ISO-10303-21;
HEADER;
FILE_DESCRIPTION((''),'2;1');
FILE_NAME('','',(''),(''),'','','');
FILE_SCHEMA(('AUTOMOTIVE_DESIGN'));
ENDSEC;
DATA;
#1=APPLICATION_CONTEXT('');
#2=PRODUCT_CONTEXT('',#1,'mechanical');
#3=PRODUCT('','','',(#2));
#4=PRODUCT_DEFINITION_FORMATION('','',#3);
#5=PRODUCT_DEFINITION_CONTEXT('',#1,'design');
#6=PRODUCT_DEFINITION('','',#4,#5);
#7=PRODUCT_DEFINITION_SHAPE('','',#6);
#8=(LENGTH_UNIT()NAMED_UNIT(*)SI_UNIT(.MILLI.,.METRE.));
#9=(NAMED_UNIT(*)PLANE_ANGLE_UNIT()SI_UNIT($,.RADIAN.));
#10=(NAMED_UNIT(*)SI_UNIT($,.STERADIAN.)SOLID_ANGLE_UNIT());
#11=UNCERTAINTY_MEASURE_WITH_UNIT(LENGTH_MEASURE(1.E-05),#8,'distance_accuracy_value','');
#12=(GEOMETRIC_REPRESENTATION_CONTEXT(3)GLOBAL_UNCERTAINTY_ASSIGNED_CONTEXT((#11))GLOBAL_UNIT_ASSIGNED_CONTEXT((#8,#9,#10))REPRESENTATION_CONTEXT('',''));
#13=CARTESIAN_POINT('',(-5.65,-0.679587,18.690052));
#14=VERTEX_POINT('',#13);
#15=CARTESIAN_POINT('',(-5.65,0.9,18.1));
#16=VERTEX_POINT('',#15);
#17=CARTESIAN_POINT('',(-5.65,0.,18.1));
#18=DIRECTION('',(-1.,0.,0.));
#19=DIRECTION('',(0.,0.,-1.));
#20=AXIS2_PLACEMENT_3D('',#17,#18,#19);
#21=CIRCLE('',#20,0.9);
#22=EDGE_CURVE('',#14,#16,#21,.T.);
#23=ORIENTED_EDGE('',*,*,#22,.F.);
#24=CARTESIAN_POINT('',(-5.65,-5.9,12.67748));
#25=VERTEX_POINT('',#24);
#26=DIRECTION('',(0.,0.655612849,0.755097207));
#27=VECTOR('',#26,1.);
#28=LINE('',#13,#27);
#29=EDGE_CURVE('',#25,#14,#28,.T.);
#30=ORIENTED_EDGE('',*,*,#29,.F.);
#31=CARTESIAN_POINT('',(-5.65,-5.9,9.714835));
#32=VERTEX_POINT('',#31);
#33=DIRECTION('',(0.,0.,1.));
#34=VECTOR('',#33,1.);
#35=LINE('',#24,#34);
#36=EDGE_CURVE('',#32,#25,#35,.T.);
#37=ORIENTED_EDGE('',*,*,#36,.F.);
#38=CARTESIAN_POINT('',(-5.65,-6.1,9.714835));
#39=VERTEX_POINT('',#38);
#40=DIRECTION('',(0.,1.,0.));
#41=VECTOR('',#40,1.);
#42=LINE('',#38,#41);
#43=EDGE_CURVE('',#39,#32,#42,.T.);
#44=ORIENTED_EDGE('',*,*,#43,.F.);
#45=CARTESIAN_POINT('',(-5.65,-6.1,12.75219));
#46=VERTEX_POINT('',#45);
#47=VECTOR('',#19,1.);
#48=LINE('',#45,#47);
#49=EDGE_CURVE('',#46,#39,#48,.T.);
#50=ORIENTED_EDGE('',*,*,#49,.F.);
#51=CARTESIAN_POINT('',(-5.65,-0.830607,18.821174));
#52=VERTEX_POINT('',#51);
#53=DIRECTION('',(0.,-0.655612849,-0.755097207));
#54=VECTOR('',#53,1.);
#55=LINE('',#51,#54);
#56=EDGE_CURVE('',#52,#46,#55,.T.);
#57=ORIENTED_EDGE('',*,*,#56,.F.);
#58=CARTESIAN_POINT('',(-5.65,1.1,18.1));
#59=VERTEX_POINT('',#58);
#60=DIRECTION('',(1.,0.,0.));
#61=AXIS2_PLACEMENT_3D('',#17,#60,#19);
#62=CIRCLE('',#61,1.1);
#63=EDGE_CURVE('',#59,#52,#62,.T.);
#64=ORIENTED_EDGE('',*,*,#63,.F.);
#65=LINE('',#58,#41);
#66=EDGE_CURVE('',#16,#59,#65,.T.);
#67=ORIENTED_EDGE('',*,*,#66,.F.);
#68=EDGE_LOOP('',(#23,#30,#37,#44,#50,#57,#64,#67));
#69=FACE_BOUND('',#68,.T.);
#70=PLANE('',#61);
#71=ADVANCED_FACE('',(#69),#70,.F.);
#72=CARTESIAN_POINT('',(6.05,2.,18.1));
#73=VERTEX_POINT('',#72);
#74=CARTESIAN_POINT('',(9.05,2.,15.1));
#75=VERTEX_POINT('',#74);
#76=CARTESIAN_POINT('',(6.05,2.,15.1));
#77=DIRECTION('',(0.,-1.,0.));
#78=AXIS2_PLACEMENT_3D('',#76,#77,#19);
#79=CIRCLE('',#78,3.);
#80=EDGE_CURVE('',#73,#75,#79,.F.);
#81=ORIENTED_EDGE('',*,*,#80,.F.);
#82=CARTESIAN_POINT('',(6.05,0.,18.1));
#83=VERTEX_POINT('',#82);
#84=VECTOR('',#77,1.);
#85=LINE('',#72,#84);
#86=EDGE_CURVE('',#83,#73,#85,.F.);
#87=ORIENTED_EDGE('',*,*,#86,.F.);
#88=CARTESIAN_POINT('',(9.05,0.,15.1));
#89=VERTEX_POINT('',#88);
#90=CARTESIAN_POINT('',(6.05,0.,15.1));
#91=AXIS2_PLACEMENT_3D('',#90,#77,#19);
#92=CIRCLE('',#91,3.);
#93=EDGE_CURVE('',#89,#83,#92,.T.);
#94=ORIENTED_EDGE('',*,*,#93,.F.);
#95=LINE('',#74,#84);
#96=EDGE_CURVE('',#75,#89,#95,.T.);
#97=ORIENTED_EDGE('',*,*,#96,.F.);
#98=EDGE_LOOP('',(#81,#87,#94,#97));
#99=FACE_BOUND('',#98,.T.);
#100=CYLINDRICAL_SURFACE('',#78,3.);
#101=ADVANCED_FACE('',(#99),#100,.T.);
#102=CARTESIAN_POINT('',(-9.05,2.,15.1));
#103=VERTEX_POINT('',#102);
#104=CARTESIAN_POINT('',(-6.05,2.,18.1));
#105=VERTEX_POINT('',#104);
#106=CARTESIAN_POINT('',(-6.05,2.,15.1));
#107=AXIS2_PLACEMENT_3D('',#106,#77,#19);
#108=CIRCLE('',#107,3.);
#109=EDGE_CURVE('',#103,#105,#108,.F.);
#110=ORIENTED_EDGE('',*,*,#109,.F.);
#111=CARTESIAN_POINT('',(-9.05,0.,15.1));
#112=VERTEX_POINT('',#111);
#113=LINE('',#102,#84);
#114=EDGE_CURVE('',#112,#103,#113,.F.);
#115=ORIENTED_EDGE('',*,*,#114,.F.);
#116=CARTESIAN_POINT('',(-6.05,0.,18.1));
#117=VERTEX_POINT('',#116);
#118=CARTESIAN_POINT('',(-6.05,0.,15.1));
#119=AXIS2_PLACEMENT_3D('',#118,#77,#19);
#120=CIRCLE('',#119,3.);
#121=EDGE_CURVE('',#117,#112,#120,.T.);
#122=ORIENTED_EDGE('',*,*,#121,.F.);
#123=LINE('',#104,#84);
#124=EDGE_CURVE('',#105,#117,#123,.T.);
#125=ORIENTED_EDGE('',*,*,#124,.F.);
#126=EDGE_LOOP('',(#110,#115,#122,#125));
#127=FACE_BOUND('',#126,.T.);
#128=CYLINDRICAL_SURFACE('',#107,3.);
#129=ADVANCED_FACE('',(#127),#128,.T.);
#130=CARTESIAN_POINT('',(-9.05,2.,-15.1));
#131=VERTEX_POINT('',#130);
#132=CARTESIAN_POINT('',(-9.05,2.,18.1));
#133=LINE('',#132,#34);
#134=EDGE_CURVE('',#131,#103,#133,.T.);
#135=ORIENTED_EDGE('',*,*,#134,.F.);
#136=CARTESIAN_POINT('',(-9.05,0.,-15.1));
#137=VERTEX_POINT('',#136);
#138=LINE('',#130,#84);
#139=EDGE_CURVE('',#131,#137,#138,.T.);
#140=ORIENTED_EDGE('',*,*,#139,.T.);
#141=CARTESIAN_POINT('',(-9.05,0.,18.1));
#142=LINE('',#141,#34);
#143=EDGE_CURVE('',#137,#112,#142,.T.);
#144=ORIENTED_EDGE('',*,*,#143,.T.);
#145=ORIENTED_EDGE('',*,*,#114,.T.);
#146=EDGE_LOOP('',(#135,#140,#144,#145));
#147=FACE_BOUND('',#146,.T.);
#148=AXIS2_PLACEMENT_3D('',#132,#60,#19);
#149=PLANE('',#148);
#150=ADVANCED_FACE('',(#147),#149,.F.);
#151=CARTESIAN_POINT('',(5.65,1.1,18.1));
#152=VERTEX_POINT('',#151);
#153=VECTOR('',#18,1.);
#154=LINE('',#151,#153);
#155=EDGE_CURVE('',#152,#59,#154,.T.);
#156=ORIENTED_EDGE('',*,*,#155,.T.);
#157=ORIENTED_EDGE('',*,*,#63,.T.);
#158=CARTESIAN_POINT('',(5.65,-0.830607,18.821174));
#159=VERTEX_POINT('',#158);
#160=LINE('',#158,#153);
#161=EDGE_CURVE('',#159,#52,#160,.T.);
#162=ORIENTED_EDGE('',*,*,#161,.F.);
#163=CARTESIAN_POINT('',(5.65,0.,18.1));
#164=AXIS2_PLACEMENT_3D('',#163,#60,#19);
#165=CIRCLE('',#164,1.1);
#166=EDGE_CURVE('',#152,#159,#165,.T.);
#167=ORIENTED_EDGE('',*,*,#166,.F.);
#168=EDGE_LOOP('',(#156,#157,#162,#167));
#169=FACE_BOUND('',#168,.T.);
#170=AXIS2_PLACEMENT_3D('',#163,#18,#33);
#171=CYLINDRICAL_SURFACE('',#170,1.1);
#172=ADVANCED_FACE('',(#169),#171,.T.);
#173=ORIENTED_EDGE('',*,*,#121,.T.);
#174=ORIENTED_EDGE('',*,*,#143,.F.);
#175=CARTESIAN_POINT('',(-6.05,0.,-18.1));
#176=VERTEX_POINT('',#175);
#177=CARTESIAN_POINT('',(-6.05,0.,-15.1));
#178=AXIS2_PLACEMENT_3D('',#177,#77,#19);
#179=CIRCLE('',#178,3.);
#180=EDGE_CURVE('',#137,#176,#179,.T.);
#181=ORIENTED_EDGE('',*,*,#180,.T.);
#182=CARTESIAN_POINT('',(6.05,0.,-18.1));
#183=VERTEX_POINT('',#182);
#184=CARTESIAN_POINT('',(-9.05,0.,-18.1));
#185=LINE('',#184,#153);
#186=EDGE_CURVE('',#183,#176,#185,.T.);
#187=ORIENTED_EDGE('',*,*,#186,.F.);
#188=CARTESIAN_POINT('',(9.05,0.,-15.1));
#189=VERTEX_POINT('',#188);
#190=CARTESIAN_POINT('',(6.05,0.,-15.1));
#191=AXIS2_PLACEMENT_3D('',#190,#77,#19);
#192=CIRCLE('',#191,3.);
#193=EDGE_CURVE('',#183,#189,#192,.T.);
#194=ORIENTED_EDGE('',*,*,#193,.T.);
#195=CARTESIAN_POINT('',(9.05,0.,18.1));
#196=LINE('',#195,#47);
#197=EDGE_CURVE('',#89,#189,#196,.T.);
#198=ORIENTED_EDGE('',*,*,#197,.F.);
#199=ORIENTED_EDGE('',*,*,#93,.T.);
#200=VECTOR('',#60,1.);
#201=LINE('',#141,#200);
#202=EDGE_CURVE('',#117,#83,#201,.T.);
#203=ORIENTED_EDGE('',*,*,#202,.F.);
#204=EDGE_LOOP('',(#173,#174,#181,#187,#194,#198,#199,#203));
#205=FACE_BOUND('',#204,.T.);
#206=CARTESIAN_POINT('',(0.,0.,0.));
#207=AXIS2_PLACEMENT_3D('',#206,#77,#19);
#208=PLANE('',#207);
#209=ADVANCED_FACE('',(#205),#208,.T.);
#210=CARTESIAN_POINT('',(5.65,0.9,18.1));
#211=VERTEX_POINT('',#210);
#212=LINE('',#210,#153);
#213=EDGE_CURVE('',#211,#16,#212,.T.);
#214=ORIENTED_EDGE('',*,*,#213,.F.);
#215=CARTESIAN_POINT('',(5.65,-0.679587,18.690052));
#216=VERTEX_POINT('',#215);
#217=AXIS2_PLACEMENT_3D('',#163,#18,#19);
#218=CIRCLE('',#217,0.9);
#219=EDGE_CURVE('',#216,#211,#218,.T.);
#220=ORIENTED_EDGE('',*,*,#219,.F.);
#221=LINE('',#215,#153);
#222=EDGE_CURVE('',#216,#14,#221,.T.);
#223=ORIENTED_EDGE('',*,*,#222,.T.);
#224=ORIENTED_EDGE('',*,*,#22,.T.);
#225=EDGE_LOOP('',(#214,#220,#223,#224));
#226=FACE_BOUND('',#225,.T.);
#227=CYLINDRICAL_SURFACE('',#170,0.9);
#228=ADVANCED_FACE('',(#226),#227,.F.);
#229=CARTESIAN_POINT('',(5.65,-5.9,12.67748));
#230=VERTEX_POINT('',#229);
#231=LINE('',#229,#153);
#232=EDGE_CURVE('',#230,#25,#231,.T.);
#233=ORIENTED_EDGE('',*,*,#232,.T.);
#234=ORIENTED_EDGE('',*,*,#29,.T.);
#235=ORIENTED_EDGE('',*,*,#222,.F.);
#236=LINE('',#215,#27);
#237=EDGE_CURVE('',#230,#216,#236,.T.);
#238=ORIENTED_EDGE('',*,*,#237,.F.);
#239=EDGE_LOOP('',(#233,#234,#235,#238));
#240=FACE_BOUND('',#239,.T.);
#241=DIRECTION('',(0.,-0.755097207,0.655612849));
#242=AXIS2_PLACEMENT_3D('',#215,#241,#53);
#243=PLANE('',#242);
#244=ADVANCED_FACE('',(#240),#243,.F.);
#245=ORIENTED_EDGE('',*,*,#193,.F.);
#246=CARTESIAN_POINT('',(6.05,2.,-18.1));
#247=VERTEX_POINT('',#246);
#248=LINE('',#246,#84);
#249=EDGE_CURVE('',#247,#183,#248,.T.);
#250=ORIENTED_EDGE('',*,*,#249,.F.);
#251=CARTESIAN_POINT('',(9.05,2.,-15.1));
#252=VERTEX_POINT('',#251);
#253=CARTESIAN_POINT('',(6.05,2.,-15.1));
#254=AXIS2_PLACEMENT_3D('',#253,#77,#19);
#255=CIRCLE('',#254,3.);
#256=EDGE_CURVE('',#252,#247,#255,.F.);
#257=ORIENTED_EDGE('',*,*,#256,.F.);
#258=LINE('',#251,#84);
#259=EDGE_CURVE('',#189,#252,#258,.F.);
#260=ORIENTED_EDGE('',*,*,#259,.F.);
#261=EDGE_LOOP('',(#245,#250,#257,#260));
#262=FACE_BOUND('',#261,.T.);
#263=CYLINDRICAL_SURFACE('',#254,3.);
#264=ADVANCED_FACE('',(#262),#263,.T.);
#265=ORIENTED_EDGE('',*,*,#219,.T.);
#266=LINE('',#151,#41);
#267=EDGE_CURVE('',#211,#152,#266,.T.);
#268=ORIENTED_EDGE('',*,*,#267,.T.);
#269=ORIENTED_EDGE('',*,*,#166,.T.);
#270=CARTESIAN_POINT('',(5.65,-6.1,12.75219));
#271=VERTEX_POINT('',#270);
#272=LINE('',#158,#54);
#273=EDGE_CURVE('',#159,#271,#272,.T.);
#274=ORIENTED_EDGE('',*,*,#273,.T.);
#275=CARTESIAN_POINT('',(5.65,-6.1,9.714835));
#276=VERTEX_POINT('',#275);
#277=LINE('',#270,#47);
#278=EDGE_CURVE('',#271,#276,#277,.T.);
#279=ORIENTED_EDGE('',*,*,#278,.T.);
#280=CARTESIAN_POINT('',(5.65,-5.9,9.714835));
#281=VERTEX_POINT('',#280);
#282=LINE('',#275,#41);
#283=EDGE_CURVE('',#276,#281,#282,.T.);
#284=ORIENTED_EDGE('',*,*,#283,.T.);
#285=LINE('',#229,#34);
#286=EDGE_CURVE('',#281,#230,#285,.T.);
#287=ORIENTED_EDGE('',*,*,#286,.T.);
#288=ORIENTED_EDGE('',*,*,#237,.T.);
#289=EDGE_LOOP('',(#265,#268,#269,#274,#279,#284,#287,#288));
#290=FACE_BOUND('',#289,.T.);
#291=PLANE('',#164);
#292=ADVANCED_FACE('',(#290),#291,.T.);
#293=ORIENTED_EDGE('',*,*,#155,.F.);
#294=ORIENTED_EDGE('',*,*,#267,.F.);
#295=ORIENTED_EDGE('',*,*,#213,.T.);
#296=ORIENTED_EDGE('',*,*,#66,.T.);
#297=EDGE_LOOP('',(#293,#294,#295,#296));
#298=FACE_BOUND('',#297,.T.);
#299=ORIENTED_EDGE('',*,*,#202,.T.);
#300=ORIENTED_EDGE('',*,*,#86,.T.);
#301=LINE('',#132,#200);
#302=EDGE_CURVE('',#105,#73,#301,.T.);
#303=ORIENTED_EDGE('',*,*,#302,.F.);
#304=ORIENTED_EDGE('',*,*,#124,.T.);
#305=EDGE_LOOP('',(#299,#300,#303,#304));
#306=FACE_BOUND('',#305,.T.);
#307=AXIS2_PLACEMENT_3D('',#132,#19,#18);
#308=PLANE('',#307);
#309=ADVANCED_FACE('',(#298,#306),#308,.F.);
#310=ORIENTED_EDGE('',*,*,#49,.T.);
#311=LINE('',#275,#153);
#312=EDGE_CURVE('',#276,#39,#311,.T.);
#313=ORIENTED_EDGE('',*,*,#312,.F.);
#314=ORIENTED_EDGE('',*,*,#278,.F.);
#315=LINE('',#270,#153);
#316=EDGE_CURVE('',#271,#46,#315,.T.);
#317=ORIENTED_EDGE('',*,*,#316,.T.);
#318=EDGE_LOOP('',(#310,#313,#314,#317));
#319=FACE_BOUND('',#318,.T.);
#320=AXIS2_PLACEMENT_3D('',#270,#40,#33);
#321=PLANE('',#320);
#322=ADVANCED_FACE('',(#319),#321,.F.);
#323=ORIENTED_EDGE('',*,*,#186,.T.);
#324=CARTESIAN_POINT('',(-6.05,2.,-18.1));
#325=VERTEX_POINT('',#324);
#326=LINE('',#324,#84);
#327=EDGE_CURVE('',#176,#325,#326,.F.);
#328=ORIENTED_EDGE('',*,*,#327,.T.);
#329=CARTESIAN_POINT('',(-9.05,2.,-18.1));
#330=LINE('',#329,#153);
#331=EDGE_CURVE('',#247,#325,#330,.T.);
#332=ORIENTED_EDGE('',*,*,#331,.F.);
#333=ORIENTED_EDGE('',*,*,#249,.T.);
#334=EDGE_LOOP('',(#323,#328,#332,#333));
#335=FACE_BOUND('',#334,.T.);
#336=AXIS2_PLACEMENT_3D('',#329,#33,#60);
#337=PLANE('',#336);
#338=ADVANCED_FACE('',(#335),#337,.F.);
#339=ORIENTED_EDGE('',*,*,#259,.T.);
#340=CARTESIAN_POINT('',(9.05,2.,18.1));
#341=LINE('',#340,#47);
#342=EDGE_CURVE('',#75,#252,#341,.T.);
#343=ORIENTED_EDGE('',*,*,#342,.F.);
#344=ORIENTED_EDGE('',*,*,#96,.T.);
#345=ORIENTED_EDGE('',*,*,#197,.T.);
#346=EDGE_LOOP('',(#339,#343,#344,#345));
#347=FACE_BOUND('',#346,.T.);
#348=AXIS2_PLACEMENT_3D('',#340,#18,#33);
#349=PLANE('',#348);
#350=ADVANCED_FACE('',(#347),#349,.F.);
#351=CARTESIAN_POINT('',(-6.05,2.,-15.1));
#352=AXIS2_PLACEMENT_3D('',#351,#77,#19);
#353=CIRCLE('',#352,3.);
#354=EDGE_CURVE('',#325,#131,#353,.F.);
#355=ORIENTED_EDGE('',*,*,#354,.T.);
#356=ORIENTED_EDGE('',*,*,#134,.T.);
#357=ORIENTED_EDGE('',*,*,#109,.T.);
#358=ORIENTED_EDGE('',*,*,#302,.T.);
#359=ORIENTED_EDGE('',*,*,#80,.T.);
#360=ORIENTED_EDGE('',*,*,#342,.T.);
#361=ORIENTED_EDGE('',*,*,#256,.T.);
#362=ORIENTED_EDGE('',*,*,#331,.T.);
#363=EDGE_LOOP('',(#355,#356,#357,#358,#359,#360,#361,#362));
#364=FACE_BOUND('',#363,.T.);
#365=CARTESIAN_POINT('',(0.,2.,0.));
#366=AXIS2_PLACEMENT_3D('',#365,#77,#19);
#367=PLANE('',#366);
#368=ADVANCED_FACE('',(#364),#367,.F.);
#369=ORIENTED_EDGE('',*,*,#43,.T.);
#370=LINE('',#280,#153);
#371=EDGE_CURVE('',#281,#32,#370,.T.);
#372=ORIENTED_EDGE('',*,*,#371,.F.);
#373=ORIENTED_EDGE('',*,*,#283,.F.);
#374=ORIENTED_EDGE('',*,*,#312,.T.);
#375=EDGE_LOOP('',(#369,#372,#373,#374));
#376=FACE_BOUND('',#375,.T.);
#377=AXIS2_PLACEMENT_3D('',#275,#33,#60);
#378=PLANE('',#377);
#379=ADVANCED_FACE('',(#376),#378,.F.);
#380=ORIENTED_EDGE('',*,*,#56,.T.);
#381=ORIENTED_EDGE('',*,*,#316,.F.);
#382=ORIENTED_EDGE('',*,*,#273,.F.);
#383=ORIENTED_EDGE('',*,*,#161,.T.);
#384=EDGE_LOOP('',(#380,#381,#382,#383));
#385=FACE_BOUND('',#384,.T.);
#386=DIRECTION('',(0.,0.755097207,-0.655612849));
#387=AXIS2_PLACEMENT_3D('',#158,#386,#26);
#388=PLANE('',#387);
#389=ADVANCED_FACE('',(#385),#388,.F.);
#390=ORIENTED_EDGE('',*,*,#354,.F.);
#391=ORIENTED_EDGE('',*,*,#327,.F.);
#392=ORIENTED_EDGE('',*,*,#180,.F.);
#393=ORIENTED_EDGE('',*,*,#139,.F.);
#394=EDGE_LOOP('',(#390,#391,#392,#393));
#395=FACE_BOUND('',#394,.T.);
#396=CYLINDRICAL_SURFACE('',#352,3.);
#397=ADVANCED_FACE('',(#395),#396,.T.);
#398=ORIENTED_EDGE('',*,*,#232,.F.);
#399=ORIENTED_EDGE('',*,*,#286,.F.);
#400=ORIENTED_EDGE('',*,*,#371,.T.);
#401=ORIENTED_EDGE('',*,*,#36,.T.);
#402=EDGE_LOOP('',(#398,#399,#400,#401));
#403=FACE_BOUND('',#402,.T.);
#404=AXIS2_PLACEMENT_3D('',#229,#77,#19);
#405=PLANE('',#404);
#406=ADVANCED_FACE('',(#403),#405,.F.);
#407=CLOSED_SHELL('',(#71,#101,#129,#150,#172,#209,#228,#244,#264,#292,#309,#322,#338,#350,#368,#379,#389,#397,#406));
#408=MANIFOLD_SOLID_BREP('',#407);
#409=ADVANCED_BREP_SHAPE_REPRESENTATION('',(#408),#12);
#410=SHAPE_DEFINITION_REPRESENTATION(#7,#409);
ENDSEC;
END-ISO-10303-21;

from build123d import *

# Parameters (mm, degrees)
SKETCH_1_W      = 18.1
SKETCH_1_H      = 36.2
EXTRUDE_1_DEPTH = 2
FILLET_1_R      = 3
EXTRUDE_2_DEPTH = 5.65


with BuildPart() as part:
    # 草图1 → 凸台-拉伸1 (new body)
    with BuildSketch(Plane(origin=(0, 0, 0), x_dir=(1, 0, 0), z_dir=(0, 1, 0))):
        Rectangle(SKETCH_1_W, SKETCH_1_H)
    extrude(amount=EXTRUDE_1_DEPTH)

    # 圆角1
    fillet_1_edges = [part.edges().sort_by_distance(p)[0] for p in [
        (9.05, 1, 18.1),
        (-9.05, 1, 18.1),
        (-9.05, 1, -18.1),
        (9.05, 1, -18.1),
    ]]
    fillet(fillet_1_edges, radius=FILLET_1_R)

    # 草图2 → 凸台-拉伸2 (add, symmetric)
    with BuildSketch(Plane(origin=(0, 0, 0), x_dir=(0, 0, -1), z_dir=(1, 0, 0))):
        with BuildLine():
            Line((-18.821174134, -0.830606928), (-12.752189981, -6.1))
            Line((-12.752189981, -6.1), (-9.714835193, -6.1))
            Line((-9.714835193, -6.1), (-9.714835193, -5.9))
            Line((-9.714835193, -5.9), (-12.677480404, -5.9))
            Line((-12.677480404, -5.9), (-18.690051564, -0.679587486))
            ThreePointArc((-18.690051564, -0.679587486), (-18.943098078, 0.314937504), (-18.1, 0.9))
            Line((-18.1, 0.9), (-18.1, 1.1))
            ThreePointArc((-18.1, 1.1), (-19.130453206, 0.384923615), (-18.821174134, -0.830606928))
        make_face()
    extrude(amount=EXTRUDE_2_DEPTH, both=True)


solid = part.part
